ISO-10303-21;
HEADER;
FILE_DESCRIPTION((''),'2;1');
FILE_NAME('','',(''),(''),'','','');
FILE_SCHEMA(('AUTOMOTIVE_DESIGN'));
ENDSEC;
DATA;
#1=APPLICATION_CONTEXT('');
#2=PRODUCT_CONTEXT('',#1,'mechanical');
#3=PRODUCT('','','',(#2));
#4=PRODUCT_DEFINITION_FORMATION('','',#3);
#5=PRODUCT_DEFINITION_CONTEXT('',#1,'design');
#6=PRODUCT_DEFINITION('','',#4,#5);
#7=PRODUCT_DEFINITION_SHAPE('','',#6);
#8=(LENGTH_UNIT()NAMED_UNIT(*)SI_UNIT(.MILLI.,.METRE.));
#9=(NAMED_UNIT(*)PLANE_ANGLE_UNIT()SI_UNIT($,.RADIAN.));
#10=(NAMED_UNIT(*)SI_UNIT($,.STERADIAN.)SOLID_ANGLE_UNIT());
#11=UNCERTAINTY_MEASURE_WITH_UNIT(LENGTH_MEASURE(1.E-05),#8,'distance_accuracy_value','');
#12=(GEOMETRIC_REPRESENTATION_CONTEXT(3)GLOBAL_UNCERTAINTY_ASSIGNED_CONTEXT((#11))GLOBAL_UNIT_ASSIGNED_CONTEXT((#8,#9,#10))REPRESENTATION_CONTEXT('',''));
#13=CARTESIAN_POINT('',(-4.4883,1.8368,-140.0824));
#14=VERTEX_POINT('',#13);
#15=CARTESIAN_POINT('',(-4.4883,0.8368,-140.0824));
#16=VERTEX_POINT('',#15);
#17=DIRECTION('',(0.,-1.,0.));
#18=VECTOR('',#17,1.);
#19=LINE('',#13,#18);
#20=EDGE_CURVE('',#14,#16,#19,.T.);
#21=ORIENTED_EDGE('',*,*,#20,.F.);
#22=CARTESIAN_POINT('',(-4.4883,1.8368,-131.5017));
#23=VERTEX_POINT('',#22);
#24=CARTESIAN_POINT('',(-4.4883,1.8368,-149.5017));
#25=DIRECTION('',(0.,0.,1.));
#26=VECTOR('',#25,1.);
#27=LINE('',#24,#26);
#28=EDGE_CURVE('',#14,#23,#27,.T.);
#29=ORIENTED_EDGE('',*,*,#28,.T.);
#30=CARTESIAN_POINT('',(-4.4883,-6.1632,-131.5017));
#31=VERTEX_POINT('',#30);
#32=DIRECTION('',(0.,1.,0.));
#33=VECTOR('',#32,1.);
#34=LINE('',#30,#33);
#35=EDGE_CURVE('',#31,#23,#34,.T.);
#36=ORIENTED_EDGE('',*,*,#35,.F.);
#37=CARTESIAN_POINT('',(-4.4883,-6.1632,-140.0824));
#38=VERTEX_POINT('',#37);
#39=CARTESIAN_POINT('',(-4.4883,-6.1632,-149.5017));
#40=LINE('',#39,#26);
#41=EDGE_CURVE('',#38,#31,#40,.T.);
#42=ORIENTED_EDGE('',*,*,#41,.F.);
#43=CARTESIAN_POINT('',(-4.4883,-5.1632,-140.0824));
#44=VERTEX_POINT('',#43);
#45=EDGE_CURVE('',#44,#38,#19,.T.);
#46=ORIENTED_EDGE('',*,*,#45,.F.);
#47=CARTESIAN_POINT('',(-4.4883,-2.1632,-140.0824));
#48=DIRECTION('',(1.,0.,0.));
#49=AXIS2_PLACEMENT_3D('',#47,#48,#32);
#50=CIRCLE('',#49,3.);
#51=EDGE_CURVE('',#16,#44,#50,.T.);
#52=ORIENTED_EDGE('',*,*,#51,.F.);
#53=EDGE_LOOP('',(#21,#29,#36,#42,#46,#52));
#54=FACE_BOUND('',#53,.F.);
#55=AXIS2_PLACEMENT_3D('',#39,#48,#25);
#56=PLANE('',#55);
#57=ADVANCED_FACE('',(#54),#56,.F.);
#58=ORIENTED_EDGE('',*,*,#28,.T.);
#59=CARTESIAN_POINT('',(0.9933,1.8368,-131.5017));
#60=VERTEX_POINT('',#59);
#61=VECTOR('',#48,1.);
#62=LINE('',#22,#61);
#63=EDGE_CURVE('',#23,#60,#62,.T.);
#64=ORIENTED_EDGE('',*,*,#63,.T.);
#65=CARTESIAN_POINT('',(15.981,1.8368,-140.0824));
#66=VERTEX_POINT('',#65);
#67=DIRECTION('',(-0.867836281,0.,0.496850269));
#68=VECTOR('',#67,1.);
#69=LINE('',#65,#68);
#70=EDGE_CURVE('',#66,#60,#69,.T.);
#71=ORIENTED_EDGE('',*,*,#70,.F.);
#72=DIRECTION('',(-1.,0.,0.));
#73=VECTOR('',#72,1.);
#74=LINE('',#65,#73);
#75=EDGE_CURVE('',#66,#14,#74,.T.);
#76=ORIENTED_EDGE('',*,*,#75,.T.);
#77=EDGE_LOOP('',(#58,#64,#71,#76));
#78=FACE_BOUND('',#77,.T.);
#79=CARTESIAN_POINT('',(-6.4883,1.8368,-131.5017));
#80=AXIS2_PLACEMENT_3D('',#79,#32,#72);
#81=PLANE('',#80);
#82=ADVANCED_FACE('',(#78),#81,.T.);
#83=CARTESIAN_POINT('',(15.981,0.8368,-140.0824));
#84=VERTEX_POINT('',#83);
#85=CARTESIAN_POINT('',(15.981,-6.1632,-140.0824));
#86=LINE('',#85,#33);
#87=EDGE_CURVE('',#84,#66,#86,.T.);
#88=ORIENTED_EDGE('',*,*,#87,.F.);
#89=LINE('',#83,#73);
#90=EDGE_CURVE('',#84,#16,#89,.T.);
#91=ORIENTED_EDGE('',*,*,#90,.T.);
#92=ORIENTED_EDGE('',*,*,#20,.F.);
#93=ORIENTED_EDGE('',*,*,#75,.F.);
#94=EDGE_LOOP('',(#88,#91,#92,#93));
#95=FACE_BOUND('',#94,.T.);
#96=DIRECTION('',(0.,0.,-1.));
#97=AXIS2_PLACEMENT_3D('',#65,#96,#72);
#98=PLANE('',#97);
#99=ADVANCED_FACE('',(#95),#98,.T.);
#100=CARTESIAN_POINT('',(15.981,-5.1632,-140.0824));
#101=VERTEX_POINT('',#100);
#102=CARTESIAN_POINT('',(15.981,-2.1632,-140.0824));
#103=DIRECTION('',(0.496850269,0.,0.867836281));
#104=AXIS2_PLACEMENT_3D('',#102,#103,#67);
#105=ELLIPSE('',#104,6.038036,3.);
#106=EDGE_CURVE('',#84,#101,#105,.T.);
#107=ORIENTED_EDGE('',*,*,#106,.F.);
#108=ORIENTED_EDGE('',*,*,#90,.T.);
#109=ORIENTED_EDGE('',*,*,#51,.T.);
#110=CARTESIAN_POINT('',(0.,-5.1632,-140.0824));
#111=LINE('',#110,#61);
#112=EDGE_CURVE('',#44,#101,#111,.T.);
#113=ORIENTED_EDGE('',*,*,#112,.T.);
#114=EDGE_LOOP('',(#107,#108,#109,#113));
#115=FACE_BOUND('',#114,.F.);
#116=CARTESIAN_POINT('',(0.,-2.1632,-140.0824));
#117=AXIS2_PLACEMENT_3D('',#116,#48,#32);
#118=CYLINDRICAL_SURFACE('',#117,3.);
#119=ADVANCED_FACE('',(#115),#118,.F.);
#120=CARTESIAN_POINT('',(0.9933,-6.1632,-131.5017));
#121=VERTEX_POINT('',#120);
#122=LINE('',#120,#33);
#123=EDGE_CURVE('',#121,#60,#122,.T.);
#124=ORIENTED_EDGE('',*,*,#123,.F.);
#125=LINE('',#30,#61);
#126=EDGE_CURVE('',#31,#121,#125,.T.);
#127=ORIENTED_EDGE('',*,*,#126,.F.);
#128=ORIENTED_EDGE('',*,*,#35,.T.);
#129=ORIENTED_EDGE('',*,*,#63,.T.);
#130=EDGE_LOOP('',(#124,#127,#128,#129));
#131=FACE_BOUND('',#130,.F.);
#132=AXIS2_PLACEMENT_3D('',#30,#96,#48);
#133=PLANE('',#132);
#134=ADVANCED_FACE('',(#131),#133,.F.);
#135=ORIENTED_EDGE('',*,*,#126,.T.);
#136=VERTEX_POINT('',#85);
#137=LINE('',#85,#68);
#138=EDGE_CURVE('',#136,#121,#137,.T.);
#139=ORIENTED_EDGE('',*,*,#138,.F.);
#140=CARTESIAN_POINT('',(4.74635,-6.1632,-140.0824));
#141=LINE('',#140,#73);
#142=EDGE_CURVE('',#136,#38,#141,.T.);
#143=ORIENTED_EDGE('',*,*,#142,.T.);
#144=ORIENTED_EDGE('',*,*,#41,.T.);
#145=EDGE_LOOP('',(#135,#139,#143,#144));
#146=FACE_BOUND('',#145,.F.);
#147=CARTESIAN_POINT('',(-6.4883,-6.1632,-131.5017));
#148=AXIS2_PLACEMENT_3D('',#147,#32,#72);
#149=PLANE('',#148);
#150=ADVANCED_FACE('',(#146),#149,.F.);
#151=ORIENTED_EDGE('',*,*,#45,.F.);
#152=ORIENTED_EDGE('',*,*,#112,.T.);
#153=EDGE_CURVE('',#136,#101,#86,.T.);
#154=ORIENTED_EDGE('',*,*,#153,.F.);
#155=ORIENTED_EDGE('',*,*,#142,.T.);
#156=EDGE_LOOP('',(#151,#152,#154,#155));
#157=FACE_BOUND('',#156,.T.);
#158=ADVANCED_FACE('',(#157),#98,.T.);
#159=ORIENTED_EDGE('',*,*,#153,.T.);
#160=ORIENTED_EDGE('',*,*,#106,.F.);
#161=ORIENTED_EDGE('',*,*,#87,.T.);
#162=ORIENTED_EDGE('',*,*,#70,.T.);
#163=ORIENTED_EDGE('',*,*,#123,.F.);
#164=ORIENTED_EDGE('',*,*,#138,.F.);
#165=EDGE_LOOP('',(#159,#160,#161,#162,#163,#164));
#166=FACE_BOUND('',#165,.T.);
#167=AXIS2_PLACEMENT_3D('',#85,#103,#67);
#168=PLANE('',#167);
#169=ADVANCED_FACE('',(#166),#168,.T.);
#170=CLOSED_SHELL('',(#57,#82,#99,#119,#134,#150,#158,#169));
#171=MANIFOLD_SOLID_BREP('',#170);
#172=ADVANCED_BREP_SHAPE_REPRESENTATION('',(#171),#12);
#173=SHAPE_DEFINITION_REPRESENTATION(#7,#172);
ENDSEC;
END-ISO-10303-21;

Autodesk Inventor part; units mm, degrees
ref_plane "YZ Plane" through (0, 0, 0) normal (1, 0, 0) x (0, 1, 0)
ref_plane "XZ Plane" through (0, 0, 0) normal (0, 1, 0) x (-1, 0, 0)
ref_plane "XY Plane" through (0, 0, 0) normal (0, 0, 1) x (1, 0, 0)
ref_plane "Work Plane1" through (-6.4883, -6.1632, -131.5017) normal (0, 1, 0) x (-1, 0, 0)
sketch "Sketch1" plane through (-6.4883, -6.1632, -131.5017) normal (0, 1, 0) x (-1, 0, 0)
  line L0 (-2, -18) -> (-2, 0) projected
  line L1 (-2, 0) -> (-7.4816, 0) projected
  line L2 (-22.4693, -8.5807) -> (-7.4816, 0) projected
  line L3 (-6.2906, -18) -> (-22.4693, -8.5807) projected
  line L4 (-2, -18) -> (-6.2906, -18) projected
  point P0 (-6.4883, 131.5017)
extrude "Extrusion1" add sketch "Sketch1" along normal blind 8
sketch "Sketch2" plane through (0, 0, 0) normal (1, 0, 0) x (0, 1, 0)
  line L0 (-6.1632, -140.0824) -> (1.8368, -140.0824) projected
  circle A0 centre (-2.1632, -140.0824) radius 3
  point P0 (0, 0)
  dimension "d2" = 6
extrude "Extrusion2" cut sketch "Sketch2" along normal through all both and the other way through all
sketch "Sketch3" plane through (-6.4883, 1.8368, -131.5017) normal (0, 1, 0) x (1, 0, 0)
  line L0 (6.2906, 18) -> (2, 18) projected
  line L1 (17.3164, 11.5807) -> (22.4693, 8.5807) projected
  line L2 (2, 18) -> (22.4693, 18)
  line L3 (22.4693, 18) -> (22.4693, 8.5807)
  line L4 (22.4693, 8.5807) -> (2, 8.5807)
  line L5 (2, 8.5807) -> (2, 18)
  point P0 (6.4883, -131.5017)
extrude "Extrusion3" cut sketch "Sketch3" against normal through all
properties part number "Wire_Clossing"
